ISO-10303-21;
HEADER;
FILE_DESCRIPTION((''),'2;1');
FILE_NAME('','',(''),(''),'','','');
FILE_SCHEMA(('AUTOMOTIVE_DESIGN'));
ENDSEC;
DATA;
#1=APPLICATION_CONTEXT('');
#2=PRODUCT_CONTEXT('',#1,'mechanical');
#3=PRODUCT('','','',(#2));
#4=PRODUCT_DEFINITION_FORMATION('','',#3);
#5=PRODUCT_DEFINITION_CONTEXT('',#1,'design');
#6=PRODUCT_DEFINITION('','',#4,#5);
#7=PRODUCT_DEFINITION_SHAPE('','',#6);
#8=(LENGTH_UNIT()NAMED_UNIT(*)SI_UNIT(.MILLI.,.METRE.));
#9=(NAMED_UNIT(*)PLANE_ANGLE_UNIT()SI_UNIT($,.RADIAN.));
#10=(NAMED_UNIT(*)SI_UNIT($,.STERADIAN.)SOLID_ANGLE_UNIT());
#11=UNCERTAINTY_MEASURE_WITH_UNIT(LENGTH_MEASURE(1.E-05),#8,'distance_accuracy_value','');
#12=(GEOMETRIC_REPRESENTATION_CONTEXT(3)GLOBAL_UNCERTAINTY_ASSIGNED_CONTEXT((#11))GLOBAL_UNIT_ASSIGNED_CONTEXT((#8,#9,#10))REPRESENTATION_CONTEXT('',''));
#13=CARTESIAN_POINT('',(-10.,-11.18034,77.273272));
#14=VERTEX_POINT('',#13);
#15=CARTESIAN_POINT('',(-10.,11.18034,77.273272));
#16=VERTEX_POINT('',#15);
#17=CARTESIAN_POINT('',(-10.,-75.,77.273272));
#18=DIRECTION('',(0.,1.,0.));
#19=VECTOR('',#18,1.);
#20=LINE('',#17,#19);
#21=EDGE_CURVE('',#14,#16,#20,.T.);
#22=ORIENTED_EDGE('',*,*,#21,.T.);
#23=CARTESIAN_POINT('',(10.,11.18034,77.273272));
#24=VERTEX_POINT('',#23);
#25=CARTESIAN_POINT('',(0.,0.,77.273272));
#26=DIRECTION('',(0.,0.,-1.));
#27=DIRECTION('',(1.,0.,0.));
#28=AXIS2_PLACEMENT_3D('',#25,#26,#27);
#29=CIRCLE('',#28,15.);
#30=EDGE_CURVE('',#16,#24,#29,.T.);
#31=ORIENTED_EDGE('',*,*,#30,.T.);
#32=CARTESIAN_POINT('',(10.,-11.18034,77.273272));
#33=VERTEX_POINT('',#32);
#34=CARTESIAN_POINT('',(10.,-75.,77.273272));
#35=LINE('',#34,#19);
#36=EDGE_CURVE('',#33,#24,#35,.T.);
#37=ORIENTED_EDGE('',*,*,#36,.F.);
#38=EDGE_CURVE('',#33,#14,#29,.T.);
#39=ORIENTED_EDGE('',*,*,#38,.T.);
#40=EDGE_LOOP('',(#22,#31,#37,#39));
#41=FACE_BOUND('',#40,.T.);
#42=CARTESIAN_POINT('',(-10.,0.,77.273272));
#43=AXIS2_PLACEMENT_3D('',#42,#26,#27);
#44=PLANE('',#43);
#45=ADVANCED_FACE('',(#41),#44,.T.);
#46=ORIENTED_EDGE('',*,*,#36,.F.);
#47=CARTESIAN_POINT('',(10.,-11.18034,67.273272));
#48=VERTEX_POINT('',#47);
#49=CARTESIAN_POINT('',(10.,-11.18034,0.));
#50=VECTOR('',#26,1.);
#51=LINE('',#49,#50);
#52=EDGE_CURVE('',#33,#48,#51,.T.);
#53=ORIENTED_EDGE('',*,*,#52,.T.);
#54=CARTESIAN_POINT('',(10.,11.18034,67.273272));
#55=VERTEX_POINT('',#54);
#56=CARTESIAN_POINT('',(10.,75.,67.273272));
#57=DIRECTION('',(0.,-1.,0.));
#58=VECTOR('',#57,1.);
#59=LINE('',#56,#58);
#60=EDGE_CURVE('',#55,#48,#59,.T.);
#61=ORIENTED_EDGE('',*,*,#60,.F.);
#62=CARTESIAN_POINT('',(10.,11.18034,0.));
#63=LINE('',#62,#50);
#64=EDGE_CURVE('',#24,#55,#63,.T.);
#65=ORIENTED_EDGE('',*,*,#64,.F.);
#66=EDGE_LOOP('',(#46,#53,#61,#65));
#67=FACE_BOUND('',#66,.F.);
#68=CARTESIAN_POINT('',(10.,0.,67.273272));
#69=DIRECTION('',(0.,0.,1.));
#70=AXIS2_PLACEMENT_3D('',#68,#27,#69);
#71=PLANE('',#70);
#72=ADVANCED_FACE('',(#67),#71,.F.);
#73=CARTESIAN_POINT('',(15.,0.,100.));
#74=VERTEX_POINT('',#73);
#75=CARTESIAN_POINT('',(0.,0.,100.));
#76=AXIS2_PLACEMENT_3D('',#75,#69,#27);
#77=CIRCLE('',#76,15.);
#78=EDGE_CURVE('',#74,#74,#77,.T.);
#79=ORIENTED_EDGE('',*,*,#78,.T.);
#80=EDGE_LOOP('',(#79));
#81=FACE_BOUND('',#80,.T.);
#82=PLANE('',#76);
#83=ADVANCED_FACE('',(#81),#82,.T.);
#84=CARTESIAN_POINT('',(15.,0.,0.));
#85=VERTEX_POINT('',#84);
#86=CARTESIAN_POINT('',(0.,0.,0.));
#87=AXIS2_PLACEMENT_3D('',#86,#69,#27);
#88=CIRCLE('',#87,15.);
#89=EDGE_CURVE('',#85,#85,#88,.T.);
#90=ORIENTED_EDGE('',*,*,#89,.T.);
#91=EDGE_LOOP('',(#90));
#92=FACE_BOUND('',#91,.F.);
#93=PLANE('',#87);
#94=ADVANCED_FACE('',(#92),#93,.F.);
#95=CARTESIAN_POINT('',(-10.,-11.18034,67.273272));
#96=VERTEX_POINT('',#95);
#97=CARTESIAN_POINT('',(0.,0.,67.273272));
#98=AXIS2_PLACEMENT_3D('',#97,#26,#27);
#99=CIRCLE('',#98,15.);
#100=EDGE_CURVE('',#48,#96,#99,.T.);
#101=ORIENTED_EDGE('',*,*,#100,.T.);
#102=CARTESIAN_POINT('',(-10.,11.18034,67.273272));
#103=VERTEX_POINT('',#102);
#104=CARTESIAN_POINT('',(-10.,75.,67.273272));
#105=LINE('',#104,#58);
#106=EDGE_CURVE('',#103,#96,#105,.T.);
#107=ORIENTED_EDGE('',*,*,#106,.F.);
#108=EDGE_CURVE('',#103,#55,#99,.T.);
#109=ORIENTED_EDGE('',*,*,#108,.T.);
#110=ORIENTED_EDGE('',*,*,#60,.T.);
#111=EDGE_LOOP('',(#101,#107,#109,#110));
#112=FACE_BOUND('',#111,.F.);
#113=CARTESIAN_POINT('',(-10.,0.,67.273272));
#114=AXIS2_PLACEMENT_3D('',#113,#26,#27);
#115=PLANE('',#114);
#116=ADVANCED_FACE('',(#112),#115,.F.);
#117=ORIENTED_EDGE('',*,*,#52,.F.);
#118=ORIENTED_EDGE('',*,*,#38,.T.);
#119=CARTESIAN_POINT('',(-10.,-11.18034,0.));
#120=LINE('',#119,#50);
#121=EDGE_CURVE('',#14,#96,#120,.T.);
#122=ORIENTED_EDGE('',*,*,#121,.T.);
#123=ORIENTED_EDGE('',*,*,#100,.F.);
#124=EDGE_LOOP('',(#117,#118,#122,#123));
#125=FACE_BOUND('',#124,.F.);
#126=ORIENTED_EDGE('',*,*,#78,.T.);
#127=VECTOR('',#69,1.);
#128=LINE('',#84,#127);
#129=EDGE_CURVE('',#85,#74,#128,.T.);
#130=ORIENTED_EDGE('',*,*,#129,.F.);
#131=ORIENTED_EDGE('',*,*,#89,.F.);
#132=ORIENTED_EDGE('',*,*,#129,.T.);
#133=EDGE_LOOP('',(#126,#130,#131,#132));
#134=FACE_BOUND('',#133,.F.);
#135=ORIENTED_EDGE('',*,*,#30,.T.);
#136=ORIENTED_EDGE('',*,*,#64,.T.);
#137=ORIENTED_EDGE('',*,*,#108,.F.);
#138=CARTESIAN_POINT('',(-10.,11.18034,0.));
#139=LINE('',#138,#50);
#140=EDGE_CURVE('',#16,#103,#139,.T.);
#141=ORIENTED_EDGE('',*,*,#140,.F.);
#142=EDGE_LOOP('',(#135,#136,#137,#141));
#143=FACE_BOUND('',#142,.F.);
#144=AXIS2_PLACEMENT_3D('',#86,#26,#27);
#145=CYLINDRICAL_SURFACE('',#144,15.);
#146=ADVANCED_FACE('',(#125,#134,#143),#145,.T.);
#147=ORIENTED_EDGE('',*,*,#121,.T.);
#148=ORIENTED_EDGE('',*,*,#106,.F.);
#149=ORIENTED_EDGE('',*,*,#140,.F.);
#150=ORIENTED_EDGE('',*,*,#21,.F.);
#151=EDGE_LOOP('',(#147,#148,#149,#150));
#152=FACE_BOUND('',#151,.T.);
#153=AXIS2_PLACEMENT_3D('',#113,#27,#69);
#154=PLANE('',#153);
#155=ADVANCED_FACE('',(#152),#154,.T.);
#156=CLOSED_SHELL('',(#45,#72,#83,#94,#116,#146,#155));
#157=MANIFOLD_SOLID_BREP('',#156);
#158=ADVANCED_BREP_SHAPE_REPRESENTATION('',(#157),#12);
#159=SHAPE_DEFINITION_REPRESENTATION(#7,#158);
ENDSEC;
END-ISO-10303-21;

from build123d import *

# Parameters (mm, degrees)
F0_R     = 15
F1_DEPTH = 100
F2_W     = 20
F2_H     = 10
F3_DEPTH = 75


with BuildPart() as f1:
    # F0 (on Top) → F1 (new body)
    with BuildSketch(Plane.XY):
        Circle(F0_R)
    extrude(amount=F1_DEPTH)

    # F2 (on Front) → F3 (cut, symmetric)
    with BuildSketch(Plane.XZ):
        with Locations((0, 72.273272)):
            Rectangle(F2_W, F2_H)
    extrude(amount=F3_DEPTH, both=True, mode=Mode.SUBTRACT)


solid = f1.part
